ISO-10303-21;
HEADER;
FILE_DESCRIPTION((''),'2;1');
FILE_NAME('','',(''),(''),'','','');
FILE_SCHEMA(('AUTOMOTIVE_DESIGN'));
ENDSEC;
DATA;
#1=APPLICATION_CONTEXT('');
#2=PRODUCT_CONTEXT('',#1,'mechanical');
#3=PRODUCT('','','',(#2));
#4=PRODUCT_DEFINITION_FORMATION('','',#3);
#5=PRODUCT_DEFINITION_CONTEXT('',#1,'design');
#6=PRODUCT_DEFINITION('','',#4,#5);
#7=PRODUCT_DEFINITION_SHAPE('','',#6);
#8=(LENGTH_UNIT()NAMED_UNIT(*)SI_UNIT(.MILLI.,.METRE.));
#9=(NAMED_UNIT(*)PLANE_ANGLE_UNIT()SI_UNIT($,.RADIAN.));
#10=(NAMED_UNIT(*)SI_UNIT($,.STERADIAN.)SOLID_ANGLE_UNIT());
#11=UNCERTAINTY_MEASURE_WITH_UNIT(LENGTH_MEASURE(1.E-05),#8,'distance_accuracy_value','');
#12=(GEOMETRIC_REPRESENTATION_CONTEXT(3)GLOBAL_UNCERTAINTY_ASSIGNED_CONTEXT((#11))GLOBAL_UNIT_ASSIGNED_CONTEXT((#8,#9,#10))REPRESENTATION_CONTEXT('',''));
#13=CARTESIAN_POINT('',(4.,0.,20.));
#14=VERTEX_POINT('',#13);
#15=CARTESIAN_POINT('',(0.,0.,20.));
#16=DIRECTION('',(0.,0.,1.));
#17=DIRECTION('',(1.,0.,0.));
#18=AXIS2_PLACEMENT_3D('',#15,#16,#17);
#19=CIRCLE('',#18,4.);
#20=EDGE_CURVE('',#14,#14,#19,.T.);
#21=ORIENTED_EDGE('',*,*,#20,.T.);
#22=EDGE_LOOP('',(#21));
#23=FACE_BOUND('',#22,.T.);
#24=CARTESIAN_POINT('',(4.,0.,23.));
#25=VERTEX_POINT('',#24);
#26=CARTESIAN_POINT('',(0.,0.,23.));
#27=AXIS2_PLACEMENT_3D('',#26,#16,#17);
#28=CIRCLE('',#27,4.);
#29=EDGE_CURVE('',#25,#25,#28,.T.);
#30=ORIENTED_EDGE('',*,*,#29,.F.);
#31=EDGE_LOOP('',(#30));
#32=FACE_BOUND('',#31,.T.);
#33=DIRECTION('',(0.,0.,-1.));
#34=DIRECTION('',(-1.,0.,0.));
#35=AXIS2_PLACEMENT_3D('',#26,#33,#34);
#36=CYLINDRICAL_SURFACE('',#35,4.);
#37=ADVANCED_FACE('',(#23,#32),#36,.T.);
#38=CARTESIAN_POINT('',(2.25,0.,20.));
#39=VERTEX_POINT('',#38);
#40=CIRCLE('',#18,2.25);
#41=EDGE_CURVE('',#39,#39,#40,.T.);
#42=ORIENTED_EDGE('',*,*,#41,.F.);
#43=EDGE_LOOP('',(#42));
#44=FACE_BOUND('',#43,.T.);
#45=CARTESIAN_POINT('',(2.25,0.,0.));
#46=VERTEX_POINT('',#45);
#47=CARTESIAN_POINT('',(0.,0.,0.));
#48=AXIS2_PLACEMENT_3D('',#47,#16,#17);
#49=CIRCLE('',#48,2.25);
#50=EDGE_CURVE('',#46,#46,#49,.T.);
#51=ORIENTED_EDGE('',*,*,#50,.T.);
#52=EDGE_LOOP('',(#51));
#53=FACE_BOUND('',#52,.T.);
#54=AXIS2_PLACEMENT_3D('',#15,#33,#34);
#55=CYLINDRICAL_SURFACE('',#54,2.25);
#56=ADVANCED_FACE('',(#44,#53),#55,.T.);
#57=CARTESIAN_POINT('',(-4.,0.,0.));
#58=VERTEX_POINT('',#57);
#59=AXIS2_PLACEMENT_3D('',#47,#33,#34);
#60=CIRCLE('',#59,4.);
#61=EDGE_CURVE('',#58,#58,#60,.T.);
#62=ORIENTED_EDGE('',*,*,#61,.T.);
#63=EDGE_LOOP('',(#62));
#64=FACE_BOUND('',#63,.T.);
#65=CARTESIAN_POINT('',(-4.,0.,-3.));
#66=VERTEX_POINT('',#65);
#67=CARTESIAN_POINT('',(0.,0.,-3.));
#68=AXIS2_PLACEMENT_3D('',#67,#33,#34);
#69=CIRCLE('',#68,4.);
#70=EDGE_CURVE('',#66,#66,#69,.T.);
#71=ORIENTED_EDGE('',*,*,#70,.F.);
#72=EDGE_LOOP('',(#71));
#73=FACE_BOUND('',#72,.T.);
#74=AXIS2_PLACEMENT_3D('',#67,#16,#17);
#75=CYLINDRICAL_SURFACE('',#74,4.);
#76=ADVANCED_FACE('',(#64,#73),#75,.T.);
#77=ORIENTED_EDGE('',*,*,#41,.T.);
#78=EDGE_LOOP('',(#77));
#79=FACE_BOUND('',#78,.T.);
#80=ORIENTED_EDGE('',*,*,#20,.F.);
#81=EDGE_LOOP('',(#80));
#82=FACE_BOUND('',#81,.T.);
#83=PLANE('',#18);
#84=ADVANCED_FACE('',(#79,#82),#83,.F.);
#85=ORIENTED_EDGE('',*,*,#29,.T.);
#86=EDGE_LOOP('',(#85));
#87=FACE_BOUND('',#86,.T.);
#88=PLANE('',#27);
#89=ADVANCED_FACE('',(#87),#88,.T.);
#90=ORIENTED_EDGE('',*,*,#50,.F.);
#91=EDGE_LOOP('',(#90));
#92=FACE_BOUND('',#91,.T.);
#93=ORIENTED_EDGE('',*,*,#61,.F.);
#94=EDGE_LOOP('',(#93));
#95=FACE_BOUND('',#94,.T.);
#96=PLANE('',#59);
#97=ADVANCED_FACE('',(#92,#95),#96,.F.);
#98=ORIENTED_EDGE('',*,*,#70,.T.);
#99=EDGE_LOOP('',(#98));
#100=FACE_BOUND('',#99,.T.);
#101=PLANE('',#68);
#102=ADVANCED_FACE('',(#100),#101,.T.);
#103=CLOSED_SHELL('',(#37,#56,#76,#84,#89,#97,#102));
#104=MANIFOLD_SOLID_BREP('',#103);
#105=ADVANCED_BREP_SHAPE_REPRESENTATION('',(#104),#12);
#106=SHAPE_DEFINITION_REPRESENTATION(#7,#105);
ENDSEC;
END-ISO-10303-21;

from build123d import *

# Parameters (mm, degrees)
CROQUIS1_R              = 2.25
SALIENTE_EXTRUIR1_DEPTH = 20
CROQUIS2_R              = 4
SALIENTE_EXTRUIR2_DEPTH = 3
SALIENTE_EXTRUIR3_START = 3
CROQUIS3_R              = 4
SALIENTE_EXTRUIR3_DEPTH = 3


with BuildPart() as part:
    # Croquis1 → Saliente-Extruir1 (new body)
    with BuildSketch(Plane.XY):
        Circle(CROQUIS1_R)
    extrude(amount=SALIENTE_EXTRUIR1_DEPTH)

    # Croquis2 → Saliente-Extruir2 (add)
    with BuildSketch(Plane.XY.offset(20)):
        Circle(CROQUIS2_R)
    extrude(amount=SALIENTE_EXTRUIR2_DEPTH)

    # Croquis3 → Saliente-Extruir3 (add)
    with BuildSketch(Plane(origin=(0, 0, 0), x_dir=(-1, 0, 0), z_dir=(0, 0, -1)).offset(SALIENTE_EXTRUIR3_START)):
        with Locations(Location((0, 0, 0), (0, 0, 180))):
            Circle(CROQUIS3_R)
    extrude(amount=-SALIENTE_EXTRUIR3_DEPTH)


solid = part.part
